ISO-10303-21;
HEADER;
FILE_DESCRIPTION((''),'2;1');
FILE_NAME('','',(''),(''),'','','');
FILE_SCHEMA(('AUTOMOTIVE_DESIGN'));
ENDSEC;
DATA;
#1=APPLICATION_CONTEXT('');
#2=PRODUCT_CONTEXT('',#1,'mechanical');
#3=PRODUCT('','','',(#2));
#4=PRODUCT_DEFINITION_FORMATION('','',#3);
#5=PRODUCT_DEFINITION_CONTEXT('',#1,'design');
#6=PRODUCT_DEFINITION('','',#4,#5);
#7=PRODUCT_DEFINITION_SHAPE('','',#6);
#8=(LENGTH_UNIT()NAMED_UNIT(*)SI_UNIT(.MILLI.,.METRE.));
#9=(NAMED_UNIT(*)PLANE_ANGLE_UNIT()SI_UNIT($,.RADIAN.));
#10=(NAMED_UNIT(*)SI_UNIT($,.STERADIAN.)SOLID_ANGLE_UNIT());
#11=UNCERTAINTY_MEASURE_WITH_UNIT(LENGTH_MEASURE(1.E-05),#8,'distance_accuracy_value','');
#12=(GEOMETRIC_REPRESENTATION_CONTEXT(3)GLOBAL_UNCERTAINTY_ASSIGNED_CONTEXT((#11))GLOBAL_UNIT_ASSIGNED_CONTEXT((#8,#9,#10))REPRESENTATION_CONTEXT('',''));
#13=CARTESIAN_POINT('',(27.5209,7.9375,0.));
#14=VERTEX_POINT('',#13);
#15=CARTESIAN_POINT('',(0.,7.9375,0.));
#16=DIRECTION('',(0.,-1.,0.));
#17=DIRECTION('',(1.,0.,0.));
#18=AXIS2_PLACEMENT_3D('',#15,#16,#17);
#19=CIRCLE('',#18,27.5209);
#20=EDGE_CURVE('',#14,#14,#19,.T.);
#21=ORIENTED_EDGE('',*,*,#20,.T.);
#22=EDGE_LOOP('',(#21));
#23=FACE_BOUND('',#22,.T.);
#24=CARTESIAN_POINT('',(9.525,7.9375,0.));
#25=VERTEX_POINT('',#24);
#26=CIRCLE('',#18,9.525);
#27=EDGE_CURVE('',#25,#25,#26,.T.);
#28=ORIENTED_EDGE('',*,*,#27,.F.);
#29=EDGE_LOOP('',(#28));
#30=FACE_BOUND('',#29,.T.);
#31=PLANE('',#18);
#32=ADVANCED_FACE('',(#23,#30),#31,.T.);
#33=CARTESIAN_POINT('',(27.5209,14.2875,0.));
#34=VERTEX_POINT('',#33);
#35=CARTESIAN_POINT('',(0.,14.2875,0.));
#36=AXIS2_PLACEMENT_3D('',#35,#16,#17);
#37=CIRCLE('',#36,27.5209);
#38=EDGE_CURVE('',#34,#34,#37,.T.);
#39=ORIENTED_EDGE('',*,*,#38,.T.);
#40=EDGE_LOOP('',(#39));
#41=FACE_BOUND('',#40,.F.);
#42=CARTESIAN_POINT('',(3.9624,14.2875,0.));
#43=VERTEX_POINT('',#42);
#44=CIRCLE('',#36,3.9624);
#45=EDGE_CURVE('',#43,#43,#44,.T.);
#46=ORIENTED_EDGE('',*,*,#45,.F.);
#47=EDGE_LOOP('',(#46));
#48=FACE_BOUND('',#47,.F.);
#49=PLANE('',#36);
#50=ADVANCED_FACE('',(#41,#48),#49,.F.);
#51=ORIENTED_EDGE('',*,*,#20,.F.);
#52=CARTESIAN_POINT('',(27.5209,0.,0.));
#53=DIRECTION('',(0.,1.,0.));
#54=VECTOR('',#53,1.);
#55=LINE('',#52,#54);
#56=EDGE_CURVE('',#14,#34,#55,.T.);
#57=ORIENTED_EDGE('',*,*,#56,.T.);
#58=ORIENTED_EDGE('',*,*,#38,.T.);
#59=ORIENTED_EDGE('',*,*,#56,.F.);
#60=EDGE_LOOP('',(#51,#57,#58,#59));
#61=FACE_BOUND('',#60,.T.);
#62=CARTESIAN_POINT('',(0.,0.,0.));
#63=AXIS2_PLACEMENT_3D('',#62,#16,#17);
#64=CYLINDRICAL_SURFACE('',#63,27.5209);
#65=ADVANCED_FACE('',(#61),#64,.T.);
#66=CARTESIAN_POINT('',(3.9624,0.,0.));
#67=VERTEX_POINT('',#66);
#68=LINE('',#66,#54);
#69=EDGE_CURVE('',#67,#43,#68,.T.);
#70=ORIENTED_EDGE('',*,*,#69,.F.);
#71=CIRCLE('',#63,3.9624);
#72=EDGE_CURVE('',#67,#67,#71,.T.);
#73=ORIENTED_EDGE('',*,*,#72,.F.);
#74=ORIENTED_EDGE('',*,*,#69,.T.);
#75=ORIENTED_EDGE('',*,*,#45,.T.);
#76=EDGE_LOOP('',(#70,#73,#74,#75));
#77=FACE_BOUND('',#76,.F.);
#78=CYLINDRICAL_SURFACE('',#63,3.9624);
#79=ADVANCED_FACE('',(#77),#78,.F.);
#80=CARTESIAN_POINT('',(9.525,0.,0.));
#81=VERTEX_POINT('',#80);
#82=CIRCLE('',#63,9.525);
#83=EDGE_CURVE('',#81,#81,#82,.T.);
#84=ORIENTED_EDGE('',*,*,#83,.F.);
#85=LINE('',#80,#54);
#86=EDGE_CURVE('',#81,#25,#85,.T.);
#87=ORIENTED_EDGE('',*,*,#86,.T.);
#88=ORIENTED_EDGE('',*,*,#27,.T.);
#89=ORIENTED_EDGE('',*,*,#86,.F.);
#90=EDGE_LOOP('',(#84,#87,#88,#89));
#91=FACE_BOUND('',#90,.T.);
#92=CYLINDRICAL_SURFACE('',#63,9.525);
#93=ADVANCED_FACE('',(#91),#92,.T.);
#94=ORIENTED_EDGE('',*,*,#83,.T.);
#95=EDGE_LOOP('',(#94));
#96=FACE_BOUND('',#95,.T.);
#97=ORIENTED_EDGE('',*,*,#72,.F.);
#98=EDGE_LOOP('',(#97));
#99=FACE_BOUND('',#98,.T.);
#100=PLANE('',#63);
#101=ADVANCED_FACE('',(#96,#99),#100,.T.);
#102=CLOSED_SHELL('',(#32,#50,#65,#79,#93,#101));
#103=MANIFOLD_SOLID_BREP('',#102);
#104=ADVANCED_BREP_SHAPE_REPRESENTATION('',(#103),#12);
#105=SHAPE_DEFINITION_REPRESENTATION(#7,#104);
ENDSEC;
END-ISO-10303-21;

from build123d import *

# Parameters (mm, degrees)
F0_R     = 27.5209
F1_DEPTH = 14.2875
F2_R     = 27.5209
F2_R_2   = 9.525
F3_DEPTH = 7.9375
F4_R     = 3.9624
F5_DEPTH = 14.2885


with BuildPart() as f1:
    # F0 (on Front) → F1 (new body)
    with BuildSketch(Plane.XZ):
        Circle(F0_R)
    extrude(amount=-F1_DEPTH)

    # F2 (on face) → F3 (cut)
    with BuildSketch(Plane.XZ):
        Circle(F2_R)
        Circle(F2_R_2, mode=Mode.SUBTRACT)
    extrude(amount=-F3_DEPTH, mode=Mode.SUBTRACT)

    # F4 (on face) → F5 (cut, through all)
    with BuildSketch(Plane.XZ):
        Circle(F4_R)
    extrude(amount=-F5_DEPTH, mode=Mode.SUBTRACT)


solid = f1.part
